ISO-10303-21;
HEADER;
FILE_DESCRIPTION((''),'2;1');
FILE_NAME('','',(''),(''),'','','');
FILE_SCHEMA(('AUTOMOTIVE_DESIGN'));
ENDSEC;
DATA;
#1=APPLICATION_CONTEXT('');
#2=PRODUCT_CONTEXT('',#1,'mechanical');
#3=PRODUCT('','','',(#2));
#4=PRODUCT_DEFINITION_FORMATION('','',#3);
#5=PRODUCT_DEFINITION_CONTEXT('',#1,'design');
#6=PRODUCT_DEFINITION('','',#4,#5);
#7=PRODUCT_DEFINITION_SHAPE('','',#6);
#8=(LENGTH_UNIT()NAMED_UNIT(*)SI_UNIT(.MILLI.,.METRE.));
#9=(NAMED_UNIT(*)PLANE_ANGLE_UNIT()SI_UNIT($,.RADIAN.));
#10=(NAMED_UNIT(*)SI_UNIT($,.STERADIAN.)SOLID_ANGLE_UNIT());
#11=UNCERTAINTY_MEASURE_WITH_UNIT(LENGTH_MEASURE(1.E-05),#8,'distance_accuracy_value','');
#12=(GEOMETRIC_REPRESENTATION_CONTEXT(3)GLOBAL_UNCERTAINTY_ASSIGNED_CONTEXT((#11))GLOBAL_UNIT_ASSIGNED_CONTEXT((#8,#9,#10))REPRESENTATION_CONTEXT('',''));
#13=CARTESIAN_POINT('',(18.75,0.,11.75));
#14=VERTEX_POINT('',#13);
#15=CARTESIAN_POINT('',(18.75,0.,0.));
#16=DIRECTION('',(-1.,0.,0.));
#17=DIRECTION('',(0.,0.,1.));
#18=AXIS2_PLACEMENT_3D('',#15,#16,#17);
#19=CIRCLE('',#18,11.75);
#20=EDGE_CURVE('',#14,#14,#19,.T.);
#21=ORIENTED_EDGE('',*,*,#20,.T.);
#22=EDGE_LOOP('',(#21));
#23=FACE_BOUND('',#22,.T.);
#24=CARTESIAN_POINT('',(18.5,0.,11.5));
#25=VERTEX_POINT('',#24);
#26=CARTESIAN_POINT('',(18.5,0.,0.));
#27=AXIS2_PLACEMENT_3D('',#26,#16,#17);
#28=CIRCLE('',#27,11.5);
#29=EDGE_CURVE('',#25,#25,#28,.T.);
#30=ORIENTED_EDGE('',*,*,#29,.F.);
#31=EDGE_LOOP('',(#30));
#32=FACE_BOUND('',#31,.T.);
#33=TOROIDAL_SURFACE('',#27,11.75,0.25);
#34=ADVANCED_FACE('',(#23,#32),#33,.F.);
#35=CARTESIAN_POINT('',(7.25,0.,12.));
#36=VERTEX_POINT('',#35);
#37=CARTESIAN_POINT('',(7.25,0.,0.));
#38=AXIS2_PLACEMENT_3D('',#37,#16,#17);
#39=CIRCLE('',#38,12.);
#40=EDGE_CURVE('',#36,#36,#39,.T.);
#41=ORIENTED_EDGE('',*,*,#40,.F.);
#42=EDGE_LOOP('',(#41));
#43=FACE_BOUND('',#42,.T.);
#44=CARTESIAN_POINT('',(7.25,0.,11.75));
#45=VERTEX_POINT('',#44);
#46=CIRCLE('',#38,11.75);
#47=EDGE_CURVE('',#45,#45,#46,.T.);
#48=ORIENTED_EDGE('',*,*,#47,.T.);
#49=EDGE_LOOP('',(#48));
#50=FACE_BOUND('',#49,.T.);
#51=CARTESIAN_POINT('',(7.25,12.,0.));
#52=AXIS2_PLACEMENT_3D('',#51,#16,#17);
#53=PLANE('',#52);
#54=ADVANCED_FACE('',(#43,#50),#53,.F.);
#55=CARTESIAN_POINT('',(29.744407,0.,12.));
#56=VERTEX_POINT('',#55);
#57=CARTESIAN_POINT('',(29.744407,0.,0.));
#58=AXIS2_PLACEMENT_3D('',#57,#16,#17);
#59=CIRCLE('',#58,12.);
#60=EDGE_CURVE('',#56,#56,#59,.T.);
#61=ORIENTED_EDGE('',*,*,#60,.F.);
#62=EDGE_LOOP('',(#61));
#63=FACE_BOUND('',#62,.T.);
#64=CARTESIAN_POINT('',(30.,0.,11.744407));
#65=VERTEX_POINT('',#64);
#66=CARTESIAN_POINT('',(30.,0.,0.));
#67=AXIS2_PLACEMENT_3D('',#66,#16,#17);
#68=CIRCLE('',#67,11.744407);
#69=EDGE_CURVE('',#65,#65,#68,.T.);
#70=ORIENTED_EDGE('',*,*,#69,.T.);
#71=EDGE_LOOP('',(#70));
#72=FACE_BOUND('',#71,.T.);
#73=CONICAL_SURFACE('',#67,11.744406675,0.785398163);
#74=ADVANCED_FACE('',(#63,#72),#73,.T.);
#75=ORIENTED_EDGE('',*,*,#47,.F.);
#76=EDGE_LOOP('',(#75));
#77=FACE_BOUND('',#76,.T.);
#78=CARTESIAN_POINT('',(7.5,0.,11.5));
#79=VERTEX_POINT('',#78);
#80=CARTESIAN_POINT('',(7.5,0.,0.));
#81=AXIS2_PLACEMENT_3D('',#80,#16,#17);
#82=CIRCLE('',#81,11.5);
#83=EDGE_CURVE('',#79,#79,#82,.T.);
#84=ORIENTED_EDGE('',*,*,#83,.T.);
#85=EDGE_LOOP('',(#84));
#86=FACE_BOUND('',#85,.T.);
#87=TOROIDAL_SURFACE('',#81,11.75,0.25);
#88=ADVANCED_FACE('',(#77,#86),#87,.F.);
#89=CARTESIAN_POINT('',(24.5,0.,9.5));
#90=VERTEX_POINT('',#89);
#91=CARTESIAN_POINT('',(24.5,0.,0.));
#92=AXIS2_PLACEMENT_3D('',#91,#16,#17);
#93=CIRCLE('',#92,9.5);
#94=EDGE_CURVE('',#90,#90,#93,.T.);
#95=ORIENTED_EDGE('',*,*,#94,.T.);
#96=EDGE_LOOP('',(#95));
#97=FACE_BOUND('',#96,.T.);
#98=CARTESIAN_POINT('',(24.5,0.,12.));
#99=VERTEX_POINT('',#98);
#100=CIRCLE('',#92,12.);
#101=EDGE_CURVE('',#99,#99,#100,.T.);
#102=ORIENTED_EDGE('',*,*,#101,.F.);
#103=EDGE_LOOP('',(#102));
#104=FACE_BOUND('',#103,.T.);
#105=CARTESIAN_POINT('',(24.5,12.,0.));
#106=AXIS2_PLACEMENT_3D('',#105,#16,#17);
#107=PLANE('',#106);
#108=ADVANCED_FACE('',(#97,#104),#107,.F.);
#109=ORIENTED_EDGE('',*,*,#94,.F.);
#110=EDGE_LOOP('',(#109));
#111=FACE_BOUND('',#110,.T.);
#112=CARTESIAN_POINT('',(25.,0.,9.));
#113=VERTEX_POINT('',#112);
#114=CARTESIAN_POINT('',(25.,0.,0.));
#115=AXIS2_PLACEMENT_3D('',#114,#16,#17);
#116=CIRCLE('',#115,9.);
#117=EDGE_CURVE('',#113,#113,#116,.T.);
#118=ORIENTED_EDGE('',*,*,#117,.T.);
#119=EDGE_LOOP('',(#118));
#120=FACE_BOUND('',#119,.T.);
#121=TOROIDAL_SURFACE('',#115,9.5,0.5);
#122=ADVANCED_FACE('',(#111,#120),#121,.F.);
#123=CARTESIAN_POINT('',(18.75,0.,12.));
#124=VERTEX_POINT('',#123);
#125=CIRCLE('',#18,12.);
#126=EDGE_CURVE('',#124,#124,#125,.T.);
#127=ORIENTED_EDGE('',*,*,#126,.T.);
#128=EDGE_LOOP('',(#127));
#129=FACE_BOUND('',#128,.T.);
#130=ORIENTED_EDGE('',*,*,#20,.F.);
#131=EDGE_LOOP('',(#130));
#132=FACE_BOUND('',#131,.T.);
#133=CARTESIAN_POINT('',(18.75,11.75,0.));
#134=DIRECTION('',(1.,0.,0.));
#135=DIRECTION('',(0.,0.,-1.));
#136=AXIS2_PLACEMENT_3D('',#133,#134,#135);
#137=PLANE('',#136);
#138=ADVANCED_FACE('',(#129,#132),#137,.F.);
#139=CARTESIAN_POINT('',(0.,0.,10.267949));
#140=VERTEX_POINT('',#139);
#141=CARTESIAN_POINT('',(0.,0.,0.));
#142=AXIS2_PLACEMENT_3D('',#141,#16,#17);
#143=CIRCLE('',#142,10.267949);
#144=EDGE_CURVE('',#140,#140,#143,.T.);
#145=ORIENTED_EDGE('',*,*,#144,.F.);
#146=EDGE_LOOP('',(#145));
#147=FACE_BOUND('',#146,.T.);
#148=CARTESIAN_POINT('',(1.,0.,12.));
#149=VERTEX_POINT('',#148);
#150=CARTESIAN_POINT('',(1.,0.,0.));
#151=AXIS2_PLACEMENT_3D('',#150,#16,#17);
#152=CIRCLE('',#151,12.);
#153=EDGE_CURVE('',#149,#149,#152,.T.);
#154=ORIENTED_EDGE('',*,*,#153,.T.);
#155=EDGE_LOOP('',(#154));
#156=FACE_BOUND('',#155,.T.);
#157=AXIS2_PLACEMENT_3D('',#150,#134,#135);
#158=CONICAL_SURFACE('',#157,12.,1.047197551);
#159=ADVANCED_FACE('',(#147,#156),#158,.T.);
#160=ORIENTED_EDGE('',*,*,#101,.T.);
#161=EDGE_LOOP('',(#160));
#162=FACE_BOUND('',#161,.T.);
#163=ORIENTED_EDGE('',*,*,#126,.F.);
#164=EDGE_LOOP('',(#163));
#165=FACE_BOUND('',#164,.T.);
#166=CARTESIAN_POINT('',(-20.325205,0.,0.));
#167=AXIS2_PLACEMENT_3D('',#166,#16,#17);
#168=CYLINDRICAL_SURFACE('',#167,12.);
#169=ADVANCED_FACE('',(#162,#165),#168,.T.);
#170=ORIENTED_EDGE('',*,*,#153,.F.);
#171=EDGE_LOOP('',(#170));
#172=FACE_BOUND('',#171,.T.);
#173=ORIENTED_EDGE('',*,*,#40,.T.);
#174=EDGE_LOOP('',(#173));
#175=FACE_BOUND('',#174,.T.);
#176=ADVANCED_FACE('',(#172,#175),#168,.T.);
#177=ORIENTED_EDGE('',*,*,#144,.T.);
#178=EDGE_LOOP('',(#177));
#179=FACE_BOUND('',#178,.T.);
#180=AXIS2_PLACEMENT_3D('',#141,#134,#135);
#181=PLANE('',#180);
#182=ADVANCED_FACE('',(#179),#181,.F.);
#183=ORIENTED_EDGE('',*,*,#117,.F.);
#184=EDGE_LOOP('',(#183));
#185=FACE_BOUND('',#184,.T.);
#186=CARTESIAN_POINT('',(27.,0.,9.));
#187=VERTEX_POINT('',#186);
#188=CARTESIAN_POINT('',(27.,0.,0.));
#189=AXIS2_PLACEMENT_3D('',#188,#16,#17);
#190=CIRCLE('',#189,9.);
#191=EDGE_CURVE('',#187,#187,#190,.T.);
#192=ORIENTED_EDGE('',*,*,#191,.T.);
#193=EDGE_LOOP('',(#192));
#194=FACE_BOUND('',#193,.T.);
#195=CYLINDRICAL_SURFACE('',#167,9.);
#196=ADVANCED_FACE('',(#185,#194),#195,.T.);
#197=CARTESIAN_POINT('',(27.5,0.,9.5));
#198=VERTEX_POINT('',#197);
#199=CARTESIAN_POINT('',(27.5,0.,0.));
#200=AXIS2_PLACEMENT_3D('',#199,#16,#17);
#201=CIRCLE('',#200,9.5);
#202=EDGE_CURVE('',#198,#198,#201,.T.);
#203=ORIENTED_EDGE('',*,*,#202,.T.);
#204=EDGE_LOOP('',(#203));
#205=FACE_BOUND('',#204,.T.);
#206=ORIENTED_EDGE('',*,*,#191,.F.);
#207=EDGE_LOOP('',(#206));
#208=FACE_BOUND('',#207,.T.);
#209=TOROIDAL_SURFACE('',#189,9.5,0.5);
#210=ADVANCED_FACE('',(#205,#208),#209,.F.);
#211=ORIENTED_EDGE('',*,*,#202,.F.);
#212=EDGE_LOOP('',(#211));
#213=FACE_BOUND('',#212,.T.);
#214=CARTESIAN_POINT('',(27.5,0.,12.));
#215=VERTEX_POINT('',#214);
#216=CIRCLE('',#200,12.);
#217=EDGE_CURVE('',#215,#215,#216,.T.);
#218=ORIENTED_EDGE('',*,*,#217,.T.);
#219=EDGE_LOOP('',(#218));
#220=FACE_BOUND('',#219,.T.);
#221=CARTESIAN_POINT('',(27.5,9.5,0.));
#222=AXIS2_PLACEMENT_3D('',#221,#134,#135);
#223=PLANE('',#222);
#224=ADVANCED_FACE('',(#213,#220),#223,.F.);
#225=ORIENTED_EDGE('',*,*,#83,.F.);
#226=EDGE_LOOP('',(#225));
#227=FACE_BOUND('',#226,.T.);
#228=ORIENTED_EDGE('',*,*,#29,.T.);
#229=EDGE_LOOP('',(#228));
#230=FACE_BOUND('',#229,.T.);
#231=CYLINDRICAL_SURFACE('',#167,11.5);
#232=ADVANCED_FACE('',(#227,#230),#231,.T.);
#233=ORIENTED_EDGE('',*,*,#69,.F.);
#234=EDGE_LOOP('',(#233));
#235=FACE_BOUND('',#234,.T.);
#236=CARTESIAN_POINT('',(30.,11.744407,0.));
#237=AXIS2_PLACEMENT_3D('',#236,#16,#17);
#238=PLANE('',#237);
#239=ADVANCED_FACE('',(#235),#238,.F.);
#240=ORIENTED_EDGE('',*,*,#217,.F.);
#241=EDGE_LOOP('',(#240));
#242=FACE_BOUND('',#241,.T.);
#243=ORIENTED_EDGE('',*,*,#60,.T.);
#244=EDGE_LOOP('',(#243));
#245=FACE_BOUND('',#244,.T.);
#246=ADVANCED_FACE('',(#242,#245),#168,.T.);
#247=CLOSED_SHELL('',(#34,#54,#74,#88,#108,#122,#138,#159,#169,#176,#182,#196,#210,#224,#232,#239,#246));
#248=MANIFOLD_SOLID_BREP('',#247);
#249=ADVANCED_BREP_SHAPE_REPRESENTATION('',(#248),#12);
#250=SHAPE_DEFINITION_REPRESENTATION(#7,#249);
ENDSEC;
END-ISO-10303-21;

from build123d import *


with BuildPart() as part:
    # Esquisse1 → Révolution1 (revolve)
    with BuildSketch(Plane.XY):
        with BuildLine():
            Line((0, 0), (0, 10.267949192))
            Line((0, 10.267949192), (1, 12))
            Line((1, 12), (7.25, 12))
            Line((7.25, 12), (7.25, 11.75))
            ThreePointArc((7.25, 11.75), (7.323223305, 11.573223305), (7.5, 11.5))
            Line((7.5, 11.5), (18.5, 11.5))
            ThreePointArc((18.5, 11.5), (18.676776695, 11.573223305), (18.75, 11.75))
            Line((18.75, 11.75), (18.75, 12))
            Line((18.75, 12), (24.5, 12))
            Line((24.5, 12), (24.5, 9.5))
            ThreePointArc((24.5, 9.5), (24.646446609, 9.146446609), (25, 9))
            Line((25, 9), (27, 9))
            ThreePointArc((27, 9), (27.353553391, 9.146446609), (27.5, 9.5))
            Line((27.5, 9.5), (27.5, 12))
            Line((27.5, 12), (29.744406675, 12))
            Line((29.744406675, 12), (30, 11.744406675))
            Line((30, 11.744406675), (30, 0))
            Line((30, 0), (0, 0))
        make_face()
    revolve(axis=Axis((-20.325204918, 0, 0), (1, 0, 0)))


solid = part.part
